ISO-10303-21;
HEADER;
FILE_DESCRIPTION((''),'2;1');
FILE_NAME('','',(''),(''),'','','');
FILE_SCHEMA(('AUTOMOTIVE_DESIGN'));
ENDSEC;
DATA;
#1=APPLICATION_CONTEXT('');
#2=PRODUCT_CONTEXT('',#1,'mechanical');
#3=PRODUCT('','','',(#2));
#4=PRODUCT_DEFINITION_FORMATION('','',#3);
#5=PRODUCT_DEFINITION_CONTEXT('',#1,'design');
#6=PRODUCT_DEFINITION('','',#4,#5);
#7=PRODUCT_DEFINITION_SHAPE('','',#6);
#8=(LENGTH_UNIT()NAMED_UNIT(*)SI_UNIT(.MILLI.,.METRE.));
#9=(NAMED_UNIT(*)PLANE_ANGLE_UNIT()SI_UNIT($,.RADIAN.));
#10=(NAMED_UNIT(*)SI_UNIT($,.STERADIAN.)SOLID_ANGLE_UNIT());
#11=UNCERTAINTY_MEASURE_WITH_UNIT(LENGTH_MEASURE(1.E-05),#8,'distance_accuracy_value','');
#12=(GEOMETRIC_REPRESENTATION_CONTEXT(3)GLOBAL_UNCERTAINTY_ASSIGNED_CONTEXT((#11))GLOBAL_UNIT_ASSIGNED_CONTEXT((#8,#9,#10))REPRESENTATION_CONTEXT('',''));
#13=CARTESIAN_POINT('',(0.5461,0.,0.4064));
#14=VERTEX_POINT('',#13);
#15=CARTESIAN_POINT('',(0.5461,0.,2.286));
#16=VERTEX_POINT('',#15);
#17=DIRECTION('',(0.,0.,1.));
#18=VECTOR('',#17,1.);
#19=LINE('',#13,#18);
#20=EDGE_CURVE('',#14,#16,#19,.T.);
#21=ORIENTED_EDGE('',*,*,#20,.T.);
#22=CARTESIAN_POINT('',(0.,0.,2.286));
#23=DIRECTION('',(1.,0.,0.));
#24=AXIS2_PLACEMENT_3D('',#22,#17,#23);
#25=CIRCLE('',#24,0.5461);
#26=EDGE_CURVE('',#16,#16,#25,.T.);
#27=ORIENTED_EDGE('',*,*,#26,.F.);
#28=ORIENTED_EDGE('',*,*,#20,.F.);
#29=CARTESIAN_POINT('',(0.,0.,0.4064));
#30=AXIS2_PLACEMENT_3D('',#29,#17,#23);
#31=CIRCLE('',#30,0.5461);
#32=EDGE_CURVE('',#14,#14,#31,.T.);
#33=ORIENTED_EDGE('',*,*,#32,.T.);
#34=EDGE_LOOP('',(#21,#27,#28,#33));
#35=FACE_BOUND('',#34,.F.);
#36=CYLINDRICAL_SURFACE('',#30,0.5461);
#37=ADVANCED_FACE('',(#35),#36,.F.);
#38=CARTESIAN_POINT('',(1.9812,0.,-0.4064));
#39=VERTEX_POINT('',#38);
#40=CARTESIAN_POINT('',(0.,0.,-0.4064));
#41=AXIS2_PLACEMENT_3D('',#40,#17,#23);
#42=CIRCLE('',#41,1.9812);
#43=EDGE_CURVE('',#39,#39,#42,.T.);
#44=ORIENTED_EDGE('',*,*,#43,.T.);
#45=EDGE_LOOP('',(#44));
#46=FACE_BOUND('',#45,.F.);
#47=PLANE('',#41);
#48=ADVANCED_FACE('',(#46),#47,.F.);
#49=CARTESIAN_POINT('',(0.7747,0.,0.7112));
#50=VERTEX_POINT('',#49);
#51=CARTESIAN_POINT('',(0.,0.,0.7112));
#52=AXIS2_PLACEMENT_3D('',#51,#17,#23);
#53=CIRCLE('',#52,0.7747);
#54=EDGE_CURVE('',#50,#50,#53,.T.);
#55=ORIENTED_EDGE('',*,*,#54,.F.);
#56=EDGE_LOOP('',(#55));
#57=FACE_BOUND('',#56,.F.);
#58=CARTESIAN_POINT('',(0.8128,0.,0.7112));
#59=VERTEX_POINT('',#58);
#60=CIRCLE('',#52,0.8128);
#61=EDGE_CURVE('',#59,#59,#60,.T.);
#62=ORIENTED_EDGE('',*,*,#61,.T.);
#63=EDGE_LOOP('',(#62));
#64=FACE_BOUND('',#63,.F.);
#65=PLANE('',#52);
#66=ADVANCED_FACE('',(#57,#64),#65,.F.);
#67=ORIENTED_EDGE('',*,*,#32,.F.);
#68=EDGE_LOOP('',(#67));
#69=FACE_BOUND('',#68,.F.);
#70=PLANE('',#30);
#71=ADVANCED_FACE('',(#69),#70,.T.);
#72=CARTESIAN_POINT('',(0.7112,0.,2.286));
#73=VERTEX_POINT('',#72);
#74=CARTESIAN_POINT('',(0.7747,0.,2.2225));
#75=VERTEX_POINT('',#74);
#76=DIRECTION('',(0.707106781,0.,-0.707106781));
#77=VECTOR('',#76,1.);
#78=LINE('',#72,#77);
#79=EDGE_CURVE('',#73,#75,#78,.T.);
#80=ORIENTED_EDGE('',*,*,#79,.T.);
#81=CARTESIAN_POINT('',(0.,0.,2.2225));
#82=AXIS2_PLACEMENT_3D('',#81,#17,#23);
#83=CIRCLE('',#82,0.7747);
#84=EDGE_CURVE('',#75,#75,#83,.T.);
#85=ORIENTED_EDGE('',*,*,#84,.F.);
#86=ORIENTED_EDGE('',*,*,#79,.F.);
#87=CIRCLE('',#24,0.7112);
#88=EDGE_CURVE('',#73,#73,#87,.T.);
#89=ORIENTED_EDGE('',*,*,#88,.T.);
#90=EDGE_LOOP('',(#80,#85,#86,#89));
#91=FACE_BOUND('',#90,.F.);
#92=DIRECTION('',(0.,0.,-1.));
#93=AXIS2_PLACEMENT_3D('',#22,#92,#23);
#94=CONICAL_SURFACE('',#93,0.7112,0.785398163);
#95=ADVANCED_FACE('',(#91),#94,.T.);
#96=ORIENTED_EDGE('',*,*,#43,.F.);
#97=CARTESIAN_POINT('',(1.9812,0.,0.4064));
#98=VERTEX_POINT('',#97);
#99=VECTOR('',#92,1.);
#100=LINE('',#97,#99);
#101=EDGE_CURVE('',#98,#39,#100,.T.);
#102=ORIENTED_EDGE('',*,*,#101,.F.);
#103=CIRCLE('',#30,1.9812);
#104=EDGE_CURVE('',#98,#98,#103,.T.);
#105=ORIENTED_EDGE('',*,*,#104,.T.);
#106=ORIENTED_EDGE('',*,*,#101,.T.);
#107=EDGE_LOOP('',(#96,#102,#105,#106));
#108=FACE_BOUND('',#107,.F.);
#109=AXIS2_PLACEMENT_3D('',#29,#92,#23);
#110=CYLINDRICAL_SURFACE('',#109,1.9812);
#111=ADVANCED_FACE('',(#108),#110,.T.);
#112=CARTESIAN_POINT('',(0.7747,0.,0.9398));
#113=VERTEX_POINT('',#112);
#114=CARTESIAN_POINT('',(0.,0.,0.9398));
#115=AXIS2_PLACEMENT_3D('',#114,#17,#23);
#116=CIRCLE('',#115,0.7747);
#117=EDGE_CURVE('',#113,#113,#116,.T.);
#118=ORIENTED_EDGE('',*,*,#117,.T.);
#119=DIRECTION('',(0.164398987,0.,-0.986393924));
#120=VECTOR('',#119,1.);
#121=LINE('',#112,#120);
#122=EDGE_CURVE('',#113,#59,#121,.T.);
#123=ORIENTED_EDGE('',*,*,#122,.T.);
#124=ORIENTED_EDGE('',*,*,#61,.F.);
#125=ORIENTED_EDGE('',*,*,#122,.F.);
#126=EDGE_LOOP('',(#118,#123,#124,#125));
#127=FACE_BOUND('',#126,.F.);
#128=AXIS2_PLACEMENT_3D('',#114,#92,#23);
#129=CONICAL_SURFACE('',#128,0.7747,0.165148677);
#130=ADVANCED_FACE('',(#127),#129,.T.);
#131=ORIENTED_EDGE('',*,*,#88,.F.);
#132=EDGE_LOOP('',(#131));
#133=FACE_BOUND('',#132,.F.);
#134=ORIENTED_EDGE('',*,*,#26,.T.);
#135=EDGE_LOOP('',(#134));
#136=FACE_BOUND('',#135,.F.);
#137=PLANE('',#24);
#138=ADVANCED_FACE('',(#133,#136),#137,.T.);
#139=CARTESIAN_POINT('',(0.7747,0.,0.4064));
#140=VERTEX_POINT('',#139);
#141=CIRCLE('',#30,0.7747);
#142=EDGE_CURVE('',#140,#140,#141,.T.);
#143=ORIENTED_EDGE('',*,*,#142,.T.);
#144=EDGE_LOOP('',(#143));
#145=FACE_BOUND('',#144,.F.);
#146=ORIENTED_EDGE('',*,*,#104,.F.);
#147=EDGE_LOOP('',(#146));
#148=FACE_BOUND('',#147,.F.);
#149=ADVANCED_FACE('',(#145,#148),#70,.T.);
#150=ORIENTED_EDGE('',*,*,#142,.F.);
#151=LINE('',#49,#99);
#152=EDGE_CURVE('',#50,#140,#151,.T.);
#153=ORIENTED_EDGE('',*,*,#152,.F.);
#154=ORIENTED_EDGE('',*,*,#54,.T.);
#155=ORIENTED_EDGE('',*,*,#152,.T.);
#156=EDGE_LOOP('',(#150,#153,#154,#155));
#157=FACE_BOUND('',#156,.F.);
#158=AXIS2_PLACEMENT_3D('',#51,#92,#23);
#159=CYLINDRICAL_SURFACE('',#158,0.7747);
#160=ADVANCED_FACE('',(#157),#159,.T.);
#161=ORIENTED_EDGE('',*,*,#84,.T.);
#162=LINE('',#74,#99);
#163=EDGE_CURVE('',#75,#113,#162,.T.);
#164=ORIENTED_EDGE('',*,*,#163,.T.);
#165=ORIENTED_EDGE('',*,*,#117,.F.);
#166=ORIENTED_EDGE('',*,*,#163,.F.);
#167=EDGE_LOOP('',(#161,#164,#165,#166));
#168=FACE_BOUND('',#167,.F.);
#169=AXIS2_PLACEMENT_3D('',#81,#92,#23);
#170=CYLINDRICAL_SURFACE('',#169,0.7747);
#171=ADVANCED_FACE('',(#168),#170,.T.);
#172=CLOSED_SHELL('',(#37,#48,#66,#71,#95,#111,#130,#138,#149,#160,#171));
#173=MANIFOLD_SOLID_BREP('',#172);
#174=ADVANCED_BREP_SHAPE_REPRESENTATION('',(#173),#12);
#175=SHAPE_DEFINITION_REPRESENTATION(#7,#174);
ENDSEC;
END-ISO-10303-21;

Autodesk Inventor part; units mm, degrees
ref_plane "YZ Plane" through (0, 0, 0) normal (1, 0, 0) x (0, 1, 0)
ref_plane "XZ Plane" through (0, 0, 0) normal (0, 1, 0) x (-1, 0, 0)
ref_plane "XY Plane" through (0, 0, 0) normal (0, 0, 1) x (1, 0, 0)
sketch "Sketch1" plane through (0, 0, 0) normal (0, 1, 0) x (-1, 0, 0)
  line L0 (0, -0.4064) -> (0, 0.4064)
  line L1 (0, 0.4064) -> (-0.5461, 0.4064)
  line L2 (-0.5461, 0.4064) -> (-0.5461, 2.286)
  line L3 (-0.5461, 2.286) -> (-0.7112, 2.286)
  line L4 (-0.7112, 2.286) -> (-0.7747, 2.2225)
  line L5 (-0.7747, 2.2225) -> (-0.7747, 0.9398)
  line L6 (-0.7747, 0.9398) -> (-0.8128, 0.7112)
  line L7 (-0.8128, 0.7112) -> (-0.7747, 0.7112)
  line L8 (-0.7747, 0.7112) -> (-0.7747, 0.4064)
  line L9 (-0.7747, 0.4064) -> (-1.9812, 0.4064)
  line L10 (-1.9812, 0.4064) -> (-1.9812, -0.4064)
  line L11 (-1.9812, -0.4064) -> (0, -0.4064)
  point P0 (0, 0)
  point P1 (0, 0)
  dimension "d0" = 3.9624
  dimension "d1" = 0.8128
  dimension "d2" = 1.5494
  dimension "d3" = 1.6256
  dimension "d4" = 1.0922
  dimension "d5" = 1.4224
  dimension "d6" = 45
  dimension "d7" = 2.6924
  dimension "d8" = 1.1176
  dimension "d9" = 1.3462
revolve "Revolution1" add sketch "Sketch1" angle 360 about axis through (0, 0, -0.4064) along (0, 0, 1)
properties part number "Base" material "Nickel-Copper Alloy 400"
